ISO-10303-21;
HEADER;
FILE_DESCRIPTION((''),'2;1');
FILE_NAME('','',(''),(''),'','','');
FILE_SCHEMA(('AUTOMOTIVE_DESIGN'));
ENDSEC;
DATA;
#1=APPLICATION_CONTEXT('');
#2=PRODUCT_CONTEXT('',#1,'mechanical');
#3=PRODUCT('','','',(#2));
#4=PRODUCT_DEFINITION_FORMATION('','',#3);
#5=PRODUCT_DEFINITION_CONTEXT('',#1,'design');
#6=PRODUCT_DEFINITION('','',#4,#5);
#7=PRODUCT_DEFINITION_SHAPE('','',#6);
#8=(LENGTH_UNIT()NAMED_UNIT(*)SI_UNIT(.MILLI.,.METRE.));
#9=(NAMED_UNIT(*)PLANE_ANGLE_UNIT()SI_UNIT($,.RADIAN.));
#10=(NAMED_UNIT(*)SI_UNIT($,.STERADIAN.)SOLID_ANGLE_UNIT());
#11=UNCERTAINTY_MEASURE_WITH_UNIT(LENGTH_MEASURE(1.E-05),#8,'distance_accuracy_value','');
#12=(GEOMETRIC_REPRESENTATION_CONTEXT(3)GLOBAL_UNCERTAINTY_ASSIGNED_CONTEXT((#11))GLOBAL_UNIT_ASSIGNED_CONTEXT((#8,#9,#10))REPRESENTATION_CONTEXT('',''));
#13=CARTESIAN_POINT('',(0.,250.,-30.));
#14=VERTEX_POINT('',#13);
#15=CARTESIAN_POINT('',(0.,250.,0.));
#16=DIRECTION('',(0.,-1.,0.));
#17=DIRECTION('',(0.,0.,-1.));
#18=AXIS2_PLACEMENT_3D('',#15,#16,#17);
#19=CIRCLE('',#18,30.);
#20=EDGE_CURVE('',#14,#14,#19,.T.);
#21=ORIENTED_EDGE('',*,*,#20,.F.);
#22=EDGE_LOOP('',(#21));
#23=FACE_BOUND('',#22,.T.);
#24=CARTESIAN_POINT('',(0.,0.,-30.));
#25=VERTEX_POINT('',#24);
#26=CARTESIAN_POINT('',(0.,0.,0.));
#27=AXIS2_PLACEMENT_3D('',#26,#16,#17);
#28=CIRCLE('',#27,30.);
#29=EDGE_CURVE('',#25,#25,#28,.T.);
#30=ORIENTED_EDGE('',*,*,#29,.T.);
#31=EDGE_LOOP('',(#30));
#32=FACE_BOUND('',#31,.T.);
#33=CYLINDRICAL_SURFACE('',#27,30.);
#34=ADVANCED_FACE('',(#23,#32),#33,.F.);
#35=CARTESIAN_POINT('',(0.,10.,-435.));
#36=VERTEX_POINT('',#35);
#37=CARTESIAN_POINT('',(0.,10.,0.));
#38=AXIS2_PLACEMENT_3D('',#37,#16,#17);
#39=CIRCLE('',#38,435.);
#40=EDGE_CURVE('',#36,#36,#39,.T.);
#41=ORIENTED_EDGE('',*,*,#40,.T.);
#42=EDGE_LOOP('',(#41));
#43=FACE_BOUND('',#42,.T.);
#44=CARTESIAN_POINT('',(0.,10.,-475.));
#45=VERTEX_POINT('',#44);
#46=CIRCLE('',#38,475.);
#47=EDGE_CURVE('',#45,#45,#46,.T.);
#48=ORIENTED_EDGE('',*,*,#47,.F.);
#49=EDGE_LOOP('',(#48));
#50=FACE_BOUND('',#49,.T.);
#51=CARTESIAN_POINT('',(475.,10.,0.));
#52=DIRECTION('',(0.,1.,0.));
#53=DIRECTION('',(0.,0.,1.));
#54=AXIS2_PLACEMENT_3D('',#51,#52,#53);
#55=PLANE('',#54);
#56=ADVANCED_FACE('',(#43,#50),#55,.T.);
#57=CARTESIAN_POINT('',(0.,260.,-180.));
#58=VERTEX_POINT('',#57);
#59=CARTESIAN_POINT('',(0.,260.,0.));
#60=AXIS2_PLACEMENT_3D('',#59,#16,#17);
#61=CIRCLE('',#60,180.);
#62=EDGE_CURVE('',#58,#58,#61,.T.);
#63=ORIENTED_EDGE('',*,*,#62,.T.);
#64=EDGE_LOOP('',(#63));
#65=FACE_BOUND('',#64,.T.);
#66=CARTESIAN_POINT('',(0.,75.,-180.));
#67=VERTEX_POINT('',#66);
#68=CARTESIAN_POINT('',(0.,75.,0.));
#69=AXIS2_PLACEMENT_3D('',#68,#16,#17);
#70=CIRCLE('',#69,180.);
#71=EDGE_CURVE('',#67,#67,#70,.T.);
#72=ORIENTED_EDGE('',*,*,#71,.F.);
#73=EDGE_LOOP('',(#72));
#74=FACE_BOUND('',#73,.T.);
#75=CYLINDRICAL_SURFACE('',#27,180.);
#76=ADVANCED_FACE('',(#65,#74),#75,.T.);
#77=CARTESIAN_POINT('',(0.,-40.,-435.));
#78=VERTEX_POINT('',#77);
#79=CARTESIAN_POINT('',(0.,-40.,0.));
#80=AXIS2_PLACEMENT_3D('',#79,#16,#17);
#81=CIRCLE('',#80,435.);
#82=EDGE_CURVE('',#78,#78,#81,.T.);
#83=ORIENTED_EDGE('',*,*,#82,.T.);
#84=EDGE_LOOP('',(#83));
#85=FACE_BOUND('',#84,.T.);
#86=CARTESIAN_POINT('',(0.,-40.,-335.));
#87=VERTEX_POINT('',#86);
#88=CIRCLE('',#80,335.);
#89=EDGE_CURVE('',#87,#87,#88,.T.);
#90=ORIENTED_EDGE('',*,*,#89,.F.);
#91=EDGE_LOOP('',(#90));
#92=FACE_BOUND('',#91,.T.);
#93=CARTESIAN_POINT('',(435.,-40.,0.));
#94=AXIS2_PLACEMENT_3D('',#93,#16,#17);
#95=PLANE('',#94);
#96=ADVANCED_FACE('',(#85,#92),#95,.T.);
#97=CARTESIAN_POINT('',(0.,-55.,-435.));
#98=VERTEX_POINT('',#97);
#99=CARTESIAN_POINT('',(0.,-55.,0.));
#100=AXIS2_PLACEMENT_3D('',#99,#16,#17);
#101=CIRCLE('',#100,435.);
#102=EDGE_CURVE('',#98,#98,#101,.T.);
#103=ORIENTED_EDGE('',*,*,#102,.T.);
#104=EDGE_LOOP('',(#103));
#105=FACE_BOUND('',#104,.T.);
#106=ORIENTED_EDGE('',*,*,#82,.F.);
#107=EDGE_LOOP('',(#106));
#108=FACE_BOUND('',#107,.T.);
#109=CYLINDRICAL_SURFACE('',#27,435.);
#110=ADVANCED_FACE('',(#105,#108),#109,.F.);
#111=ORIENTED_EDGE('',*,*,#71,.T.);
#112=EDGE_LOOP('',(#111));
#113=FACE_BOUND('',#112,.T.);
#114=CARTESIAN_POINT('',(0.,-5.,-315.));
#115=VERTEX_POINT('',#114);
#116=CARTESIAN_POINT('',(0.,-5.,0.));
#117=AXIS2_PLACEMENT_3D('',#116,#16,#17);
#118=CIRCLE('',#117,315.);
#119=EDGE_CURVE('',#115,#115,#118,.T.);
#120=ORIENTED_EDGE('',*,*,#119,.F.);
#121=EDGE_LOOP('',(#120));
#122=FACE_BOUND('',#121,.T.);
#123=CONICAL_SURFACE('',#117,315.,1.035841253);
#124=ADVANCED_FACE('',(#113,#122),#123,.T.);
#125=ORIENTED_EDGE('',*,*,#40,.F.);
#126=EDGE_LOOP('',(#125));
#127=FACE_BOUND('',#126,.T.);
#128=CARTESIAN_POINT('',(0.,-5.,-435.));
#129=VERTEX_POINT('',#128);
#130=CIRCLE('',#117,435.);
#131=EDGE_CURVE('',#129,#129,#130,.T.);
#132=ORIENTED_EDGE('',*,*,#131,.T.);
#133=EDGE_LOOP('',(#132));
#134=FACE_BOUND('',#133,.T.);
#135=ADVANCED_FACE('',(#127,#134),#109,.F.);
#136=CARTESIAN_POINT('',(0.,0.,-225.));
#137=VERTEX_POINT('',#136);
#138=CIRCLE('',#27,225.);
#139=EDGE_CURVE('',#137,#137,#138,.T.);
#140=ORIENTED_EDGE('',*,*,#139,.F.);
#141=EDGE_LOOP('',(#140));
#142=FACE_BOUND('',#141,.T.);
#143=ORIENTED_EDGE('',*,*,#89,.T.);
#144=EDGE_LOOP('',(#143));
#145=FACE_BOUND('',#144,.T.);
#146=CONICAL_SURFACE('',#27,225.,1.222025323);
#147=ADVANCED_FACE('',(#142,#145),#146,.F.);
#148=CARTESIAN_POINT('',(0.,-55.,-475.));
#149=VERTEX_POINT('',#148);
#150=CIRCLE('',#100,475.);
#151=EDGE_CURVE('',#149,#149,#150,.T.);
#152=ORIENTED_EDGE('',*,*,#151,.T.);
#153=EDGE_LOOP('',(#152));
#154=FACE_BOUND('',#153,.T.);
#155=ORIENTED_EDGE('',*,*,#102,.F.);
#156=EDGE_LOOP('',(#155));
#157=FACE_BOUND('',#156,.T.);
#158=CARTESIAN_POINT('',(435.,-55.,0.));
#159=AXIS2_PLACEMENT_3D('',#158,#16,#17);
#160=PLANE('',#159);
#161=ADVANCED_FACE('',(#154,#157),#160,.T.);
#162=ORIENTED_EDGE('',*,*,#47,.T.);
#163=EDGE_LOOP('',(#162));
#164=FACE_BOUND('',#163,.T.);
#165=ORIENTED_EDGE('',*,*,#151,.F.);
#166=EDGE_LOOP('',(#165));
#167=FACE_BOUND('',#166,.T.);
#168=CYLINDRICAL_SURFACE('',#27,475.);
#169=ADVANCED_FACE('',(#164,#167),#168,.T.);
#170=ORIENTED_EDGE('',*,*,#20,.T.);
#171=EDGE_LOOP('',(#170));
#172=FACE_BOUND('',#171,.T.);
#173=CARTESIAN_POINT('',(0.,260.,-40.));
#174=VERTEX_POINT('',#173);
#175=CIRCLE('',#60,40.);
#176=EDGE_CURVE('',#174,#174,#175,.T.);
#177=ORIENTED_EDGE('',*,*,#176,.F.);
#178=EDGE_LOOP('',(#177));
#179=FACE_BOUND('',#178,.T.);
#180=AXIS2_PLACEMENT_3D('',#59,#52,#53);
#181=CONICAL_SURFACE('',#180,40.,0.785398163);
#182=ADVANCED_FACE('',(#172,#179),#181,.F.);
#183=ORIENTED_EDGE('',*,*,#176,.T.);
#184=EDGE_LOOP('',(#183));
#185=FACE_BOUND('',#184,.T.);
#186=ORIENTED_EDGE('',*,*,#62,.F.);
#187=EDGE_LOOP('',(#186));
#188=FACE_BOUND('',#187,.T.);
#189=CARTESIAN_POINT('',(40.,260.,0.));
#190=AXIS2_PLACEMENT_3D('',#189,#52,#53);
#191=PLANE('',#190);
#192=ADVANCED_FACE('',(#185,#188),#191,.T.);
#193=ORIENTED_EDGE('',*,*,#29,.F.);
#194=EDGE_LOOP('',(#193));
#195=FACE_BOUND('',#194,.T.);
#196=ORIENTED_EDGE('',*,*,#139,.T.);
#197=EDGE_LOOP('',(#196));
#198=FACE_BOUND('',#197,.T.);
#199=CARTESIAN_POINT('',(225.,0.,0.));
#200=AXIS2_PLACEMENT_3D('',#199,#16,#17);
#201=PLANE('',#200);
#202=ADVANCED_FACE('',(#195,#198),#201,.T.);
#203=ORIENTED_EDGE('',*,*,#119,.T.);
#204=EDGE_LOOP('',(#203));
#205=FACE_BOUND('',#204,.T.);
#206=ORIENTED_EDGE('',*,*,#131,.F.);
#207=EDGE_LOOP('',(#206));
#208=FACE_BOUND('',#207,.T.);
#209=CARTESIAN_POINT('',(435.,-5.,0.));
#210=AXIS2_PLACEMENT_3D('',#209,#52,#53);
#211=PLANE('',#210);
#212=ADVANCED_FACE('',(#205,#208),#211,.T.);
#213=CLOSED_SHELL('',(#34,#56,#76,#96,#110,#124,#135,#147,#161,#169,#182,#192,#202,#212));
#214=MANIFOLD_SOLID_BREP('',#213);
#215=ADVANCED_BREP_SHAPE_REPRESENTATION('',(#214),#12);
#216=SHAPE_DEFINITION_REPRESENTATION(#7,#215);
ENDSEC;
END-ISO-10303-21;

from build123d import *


with BuildPart() as part:
    # Sketch1 → Revolve2 (revolve)
    with BuildSketch(Plane.XY, mode=Mode.PRIVATE) as revolve2_sk:
        Polygon((435, -55), (475, -55), (475, 10), (435, 10), (435, -5), (315, -5), (180, 75), (180, 260), (40, 260), (30, 250), (30, 0), (225, 0), (335, -40), (435, -40), align=None)
    revolve(revolve2_sk.sketch.rotate(Axis((0, 0, 0), (0, 1, 0)), 90), axis=Axis((0, 0, 0), (0, 1, 0)))


solid = part.part
